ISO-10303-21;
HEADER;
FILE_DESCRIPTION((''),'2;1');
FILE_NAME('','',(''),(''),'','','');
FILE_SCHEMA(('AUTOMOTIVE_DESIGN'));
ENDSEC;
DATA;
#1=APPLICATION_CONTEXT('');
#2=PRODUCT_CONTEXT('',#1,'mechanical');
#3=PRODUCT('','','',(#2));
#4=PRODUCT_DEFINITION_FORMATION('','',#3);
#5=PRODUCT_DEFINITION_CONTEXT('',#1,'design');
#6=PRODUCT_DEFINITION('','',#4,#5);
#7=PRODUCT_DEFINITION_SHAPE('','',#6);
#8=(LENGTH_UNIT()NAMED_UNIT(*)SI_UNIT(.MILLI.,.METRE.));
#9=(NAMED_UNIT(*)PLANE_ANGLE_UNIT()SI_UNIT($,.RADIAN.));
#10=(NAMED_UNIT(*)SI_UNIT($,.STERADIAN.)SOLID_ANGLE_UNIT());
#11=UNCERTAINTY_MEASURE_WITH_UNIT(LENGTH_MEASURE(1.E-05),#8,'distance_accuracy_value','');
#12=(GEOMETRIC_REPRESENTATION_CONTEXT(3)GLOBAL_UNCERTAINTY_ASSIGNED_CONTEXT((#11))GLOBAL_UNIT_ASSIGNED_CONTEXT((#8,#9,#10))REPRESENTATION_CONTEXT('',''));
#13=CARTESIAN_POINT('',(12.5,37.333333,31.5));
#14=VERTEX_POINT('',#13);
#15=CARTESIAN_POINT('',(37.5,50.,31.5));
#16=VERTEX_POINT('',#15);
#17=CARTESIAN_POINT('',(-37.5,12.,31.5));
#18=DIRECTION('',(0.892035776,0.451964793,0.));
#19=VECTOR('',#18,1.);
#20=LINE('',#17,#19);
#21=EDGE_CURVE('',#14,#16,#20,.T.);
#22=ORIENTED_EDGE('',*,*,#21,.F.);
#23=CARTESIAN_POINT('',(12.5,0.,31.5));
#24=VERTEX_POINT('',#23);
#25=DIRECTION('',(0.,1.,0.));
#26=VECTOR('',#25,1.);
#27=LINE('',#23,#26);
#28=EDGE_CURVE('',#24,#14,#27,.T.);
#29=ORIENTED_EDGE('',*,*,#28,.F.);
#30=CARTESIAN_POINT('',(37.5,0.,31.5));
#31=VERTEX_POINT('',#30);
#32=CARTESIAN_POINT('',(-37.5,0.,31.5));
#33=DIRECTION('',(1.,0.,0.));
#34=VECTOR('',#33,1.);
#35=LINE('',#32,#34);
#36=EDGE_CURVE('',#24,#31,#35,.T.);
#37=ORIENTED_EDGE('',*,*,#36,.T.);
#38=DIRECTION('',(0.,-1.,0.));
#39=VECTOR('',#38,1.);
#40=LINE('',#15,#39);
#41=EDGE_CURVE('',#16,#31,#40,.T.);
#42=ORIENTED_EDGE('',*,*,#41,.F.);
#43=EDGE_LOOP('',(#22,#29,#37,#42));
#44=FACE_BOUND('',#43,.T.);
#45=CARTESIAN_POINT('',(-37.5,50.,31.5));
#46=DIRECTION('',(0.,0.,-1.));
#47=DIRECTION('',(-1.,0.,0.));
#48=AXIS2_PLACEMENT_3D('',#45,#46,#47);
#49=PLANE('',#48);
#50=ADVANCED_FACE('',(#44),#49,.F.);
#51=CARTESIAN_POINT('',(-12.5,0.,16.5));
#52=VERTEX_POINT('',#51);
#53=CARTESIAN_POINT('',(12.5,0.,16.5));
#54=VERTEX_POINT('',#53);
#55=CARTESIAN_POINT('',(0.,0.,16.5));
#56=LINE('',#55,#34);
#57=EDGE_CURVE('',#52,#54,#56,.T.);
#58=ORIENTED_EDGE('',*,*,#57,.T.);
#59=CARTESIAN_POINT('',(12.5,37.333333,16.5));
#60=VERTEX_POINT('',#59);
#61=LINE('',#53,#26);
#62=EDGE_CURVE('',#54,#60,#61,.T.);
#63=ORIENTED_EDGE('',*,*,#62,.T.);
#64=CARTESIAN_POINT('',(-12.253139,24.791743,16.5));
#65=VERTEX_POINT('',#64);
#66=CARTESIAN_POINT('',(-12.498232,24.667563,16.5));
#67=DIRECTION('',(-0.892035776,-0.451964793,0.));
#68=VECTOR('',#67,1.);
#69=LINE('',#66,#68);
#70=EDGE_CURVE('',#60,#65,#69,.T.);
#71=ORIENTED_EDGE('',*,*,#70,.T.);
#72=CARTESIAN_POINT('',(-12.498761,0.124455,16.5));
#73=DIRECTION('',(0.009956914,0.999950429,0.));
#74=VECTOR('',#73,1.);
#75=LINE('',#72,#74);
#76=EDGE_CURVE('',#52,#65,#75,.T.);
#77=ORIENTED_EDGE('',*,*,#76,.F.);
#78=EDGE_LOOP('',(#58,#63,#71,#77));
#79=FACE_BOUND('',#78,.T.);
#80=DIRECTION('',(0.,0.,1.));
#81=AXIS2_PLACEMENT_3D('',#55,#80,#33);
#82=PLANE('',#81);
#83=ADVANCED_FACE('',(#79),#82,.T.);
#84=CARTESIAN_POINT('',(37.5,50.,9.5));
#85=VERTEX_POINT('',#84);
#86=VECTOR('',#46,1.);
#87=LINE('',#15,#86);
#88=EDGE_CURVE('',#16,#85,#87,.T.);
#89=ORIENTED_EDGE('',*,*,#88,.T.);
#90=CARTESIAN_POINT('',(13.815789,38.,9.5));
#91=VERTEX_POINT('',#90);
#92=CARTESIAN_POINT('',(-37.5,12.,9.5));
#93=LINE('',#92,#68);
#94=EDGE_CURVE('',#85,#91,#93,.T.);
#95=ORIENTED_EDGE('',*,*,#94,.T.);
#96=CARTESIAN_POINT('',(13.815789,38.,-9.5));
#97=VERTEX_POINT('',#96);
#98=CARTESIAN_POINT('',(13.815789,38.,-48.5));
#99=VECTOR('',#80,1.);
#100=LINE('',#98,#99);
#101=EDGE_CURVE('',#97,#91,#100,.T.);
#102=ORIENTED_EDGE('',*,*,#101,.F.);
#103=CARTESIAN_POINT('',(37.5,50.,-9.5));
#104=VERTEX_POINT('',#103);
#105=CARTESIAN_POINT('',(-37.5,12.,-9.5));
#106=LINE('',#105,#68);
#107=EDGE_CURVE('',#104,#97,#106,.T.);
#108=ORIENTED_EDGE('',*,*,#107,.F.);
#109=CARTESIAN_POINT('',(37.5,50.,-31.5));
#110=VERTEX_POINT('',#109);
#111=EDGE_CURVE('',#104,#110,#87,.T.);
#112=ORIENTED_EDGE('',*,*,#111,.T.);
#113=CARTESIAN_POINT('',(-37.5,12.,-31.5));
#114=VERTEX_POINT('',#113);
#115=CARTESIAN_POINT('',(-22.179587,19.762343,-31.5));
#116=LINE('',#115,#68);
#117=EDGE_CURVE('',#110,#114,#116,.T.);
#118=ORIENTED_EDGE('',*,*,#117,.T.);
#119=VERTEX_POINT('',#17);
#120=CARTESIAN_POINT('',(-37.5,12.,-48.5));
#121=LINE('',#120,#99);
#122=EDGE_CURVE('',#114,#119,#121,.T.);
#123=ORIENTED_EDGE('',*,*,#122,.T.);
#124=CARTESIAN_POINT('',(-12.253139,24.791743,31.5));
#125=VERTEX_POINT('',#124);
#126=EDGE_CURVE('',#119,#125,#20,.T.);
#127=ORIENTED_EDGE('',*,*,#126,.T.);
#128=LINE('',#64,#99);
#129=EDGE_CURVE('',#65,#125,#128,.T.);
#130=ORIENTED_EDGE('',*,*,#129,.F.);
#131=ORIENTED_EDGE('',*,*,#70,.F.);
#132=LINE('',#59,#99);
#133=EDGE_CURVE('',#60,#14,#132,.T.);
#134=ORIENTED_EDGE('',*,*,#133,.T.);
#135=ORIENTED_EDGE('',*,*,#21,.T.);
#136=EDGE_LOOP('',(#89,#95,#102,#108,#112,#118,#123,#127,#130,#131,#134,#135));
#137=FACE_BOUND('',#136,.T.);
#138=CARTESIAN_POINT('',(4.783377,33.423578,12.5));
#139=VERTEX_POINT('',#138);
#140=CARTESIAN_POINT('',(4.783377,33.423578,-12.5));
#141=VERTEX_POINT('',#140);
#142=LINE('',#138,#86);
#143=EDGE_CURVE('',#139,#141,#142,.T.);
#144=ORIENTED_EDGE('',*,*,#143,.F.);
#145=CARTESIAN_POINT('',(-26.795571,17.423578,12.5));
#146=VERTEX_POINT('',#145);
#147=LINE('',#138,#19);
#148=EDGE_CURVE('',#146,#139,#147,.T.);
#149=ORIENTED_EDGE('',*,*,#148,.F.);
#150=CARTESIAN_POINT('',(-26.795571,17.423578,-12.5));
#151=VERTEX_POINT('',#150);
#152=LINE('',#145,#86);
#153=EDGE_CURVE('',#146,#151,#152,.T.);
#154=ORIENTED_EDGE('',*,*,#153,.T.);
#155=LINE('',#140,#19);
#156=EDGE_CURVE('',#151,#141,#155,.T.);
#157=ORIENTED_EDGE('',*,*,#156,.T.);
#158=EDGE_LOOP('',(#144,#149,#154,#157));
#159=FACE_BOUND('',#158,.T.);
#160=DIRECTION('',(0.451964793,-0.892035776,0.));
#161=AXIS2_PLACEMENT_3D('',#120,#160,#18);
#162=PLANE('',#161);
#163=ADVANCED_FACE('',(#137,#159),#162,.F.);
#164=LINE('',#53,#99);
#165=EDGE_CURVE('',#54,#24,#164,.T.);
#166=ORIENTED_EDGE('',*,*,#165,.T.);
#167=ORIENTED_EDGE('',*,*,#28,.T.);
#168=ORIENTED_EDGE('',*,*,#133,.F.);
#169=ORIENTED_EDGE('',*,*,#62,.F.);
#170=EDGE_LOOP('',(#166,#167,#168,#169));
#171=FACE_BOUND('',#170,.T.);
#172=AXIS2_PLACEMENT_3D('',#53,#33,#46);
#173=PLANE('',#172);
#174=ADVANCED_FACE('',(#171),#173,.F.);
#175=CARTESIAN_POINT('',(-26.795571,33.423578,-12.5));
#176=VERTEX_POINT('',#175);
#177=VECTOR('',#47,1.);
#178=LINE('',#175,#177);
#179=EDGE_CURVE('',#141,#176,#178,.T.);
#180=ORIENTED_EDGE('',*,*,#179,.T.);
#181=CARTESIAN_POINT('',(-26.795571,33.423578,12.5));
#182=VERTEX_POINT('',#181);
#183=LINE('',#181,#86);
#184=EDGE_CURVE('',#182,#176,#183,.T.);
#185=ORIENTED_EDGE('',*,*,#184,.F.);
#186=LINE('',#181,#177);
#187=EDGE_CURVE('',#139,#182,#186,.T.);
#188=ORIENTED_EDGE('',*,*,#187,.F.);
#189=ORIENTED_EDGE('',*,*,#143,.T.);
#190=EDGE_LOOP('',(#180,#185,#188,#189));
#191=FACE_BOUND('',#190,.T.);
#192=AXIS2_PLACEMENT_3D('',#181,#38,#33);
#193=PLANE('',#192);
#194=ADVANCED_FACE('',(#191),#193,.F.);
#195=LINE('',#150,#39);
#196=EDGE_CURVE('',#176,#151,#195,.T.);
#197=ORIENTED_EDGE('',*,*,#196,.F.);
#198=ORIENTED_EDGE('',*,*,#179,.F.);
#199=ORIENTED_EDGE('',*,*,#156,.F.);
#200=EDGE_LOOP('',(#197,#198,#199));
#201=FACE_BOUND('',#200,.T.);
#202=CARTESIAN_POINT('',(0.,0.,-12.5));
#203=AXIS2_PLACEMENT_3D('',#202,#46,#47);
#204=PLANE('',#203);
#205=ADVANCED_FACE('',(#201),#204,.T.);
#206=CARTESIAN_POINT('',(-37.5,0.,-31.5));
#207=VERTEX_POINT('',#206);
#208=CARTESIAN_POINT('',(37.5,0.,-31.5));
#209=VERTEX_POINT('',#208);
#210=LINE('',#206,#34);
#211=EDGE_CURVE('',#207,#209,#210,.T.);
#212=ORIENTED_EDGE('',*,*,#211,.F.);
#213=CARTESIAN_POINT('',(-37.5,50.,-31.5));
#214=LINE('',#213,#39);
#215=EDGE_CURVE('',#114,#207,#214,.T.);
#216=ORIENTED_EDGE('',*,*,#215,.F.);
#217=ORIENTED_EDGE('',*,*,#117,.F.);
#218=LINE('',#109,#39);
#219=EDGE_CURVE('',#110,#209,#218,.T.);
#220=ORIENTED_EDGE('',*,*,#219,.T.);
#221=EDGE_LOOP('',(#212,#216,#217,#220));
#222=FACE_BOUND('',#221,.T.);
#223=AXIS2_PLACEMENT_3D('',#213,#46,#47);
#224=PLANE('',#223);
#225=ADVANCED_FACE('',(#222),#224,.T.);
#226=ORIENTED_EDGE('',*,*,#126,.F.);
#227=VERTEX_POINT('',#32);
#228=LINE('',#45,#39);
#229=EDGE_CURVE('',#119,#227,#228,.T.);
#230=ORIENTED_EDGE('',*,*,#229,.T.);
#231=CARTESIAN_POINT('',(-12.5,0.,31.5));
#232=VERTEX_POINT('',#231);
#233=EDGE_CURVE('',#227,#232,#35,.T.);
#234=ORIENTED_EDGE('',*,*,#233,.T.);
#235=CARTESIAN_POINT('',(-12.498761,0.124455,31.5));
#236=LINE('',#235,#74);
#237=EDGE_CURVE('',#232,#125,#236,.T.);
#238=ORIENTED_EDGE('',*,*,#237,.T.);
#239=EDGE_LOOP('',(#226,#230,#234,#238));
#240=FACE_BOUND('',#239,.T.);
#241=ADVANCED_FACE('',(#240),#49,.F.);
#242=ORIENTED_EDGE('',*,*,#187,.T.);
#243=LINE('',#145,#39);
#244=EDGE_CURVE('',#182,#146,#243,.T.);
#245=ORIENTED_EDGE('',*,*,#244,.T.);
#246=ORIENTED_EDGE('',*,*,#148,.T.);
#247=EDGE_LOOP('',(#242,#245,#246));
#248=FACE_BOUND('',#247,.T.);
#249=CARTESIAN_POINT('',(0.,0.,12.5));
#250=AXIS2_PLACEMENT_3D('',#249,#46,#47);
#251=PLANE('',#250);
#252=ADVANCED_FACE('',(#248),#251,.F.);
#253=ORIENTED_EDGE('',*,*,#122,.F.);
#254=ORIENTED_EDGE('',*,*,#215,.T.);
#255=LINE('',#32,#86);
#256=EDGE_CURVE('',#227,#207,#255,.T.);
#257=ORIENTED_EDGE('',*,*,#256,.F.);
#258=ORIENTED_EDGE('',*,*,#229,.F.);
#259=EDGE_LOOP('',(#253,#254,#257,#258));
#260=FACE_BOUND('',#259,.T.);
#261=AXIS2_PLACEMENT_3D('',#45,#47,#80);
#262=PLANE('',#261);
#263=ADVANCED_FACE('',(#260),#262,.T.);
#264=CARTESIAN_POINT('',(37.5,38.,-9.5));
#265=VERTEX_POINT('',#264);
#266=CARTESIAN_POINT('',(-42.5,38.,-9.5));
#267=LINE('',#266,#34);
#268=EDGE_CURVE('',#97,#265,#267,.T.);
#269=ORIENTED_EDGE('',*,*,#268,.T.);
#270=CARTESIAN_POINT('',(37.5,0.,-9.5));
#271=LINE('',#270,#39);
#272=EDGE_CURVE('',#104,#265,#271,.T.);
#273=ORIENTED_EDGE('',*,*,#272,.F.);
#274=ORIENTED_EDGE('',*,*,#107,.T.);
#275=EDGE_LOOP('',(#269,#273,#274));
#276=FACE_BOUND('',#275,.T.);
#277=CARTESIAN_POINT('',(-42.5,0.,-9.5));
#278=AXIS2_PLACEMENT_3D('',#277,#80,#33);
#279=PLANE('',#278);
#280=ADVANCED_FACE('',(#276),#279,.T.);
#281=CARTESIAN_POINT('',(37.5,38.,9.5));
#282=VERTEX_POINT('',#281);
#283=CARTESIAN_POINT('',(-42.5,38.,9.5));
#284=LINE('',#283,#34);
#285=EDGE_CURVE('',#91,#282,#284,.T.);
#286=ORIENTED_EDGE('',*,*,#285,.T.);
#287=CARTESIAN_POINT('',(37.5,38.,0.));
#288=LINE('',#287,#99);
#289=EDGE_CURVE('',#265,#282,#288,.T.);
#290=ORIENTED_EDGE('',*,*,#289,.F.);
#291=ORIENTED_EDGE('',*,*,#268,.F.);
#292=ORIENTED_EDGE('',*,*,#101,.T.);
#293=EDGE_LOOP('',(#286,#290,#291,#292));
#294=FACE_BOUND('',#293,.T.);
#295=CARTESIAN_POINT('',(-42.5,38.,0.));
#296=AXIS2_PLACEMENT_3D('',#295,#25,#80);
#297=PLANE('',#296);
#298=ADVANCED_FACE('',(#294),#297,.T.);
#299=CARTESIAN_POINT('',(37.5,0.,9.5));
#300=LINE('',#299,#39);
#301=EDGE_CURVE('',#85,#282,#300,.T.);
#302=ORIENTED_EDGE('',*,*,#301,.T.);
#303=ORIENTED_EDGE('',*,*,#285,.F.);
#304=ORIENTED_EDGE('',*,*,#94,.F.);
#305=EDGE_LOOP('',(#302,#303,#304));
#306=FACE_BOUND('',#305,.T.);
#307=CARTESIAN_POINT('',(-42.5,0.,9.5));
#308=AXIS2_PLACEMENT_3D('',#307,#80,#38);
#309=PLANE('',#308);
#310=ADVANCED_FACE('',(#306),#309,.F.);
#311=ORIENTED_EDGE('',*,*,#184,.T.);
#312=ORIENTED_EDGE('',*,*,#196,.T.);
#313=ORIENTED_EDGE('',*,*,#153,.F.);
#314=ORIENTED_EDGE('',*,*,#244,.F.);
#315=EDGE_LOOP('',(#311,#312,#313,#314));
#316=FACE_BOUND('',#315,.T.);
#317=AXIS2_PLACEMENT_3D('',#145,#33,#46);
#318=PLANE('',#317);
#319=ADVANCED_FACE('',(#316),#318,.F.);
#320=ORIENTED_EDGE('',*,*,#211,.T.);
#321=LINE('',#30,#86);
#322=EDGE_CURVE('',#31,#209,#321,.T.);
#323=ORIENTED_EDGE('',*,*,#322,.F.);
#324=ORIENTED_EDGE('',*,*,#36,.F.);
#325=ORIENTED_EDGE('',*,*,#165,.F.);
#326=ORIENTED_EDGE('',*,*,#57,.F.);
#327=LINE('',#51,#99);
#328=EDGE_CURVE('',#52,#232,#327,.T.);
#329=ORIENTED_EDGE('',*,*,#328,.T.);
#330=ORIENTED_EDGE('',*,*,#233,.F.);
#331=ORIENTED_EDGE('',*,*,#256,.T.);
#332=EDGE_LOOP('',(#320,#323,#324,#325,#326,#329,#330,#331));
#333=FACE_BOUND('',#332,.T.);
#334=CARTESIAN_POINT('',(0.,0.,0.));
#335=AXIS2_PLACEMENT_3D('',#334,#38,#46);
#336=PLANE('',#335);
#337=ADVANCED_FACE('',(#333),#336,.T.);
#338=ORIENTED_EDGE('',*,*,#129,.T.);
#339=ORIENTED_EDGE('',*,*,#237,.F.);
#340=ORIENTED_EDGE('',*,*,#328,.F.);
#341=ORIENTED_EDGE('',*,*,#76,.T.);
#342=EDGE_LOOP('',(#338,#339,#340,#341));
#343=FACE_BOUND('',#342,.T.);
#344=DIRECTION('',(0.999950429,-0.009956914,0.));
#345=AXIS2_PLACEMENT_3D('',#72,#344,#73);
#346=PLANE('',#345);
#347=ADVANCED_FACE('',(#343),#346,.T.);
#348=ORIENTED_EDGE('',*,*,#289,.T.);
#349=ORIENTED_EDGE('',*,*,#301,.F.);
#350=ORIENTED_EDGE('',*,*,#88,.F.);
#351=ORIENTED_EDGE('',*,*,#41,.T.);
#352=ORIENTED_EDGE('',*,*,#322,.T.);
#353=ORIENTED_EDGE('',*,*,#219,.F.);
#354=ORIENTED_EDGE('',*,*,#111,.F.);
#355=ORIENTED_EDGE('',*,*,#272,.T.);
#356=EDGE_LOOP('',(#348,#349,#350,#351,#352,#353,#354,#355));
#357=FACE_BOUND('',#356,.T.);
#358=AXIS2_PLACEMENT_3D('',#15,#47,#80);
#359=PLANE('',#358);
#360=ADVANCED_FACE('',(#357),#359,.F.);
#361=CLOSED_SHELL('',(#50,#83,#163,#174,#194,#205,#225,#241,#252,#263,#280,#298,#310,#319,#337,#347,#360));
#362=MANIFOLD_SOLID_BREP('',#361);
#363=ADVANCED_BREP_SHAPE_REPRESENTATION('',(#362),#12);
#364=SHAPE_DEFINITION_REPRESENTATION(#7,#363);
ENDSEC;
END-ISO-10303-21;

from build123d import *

# Parameters (mm, degrees)
SKETCH2_W           = 75
SKETCH2_H           = 63
BOSS_EXTRUDE1_DEPTH = 50
CUT_EXTRUDE1_DEPTH  = 80
SKETCH6_W           = 19
SKETCH6_H           = 12
CUT_EXTRUDE2_DEPTH  = 80
CUT_EXTRUDE3_DEPTH  = 15
BOSS_EXTRUDE2_DEPTH = 12.5


with BuildPart() as part:
    # Sketch2 → Boss-Extrude1 (new body)
    with BuildSketch(Plane(origin=(0, 0, 0), x_dir=(1, 0, 0), z_dir=(0, 1, 0))):
        Rectangle(SKETCH2_W, SKETCH2_H)
    extrude(amount=BOSS_EXTRUDE1_DEPTH)

    # Sketch4 → Cut-Extrude1 (cut)
    with BuildSketch(Plane.XY.offset(31.5)):
        Polygon((-37.5, 12), (37.5, 50), (-37.5, 50), align=None)
    extrude(amount=-CUT_EXTRUDE1_DEPTH, mode=Mode.SUBTRACT)

    # Sketch6 → Cut-Extrude2 (cut)
    with BuildSketch(Plane(origin=(37.5, 0, 0), x_dir=(0, 0, -1), z_dir=(1, 0, 0))):
        with Locations((0, 44)):
            Rectangle(SKETCH6_W, SKETCH6_H)
    extrude(amount=-CUT_EXTRUDE2_DEPTH, mode=Mode.SUBTRACT)

    # Sketch8 → Cut-Extrude3 (cut)
    with BuildSketch(Plane.XY.offset(31.5)):
        Polygon((-12.253138509, 24.791743155), (-12.5, 0), (12.5, 0), (12.5, 37.333333333), align=None)
    extrude(amount=-CUT_EXTRUDE3_DEPTH, mode=Mode.SUBTRACT)

    # Sketch10 → Boss-Extrude2 (add, symmetric)
    with BuildSketch(Plane.XY):
        Polygon((4.783376681, 33.423577518), (-26.795570688, 17.423577518), (-26.795570688, 33.423577518), align=None)
    extrude(amount=BOSS_EXTRUDE2_DEPTH, both=True)


solid = part.part
